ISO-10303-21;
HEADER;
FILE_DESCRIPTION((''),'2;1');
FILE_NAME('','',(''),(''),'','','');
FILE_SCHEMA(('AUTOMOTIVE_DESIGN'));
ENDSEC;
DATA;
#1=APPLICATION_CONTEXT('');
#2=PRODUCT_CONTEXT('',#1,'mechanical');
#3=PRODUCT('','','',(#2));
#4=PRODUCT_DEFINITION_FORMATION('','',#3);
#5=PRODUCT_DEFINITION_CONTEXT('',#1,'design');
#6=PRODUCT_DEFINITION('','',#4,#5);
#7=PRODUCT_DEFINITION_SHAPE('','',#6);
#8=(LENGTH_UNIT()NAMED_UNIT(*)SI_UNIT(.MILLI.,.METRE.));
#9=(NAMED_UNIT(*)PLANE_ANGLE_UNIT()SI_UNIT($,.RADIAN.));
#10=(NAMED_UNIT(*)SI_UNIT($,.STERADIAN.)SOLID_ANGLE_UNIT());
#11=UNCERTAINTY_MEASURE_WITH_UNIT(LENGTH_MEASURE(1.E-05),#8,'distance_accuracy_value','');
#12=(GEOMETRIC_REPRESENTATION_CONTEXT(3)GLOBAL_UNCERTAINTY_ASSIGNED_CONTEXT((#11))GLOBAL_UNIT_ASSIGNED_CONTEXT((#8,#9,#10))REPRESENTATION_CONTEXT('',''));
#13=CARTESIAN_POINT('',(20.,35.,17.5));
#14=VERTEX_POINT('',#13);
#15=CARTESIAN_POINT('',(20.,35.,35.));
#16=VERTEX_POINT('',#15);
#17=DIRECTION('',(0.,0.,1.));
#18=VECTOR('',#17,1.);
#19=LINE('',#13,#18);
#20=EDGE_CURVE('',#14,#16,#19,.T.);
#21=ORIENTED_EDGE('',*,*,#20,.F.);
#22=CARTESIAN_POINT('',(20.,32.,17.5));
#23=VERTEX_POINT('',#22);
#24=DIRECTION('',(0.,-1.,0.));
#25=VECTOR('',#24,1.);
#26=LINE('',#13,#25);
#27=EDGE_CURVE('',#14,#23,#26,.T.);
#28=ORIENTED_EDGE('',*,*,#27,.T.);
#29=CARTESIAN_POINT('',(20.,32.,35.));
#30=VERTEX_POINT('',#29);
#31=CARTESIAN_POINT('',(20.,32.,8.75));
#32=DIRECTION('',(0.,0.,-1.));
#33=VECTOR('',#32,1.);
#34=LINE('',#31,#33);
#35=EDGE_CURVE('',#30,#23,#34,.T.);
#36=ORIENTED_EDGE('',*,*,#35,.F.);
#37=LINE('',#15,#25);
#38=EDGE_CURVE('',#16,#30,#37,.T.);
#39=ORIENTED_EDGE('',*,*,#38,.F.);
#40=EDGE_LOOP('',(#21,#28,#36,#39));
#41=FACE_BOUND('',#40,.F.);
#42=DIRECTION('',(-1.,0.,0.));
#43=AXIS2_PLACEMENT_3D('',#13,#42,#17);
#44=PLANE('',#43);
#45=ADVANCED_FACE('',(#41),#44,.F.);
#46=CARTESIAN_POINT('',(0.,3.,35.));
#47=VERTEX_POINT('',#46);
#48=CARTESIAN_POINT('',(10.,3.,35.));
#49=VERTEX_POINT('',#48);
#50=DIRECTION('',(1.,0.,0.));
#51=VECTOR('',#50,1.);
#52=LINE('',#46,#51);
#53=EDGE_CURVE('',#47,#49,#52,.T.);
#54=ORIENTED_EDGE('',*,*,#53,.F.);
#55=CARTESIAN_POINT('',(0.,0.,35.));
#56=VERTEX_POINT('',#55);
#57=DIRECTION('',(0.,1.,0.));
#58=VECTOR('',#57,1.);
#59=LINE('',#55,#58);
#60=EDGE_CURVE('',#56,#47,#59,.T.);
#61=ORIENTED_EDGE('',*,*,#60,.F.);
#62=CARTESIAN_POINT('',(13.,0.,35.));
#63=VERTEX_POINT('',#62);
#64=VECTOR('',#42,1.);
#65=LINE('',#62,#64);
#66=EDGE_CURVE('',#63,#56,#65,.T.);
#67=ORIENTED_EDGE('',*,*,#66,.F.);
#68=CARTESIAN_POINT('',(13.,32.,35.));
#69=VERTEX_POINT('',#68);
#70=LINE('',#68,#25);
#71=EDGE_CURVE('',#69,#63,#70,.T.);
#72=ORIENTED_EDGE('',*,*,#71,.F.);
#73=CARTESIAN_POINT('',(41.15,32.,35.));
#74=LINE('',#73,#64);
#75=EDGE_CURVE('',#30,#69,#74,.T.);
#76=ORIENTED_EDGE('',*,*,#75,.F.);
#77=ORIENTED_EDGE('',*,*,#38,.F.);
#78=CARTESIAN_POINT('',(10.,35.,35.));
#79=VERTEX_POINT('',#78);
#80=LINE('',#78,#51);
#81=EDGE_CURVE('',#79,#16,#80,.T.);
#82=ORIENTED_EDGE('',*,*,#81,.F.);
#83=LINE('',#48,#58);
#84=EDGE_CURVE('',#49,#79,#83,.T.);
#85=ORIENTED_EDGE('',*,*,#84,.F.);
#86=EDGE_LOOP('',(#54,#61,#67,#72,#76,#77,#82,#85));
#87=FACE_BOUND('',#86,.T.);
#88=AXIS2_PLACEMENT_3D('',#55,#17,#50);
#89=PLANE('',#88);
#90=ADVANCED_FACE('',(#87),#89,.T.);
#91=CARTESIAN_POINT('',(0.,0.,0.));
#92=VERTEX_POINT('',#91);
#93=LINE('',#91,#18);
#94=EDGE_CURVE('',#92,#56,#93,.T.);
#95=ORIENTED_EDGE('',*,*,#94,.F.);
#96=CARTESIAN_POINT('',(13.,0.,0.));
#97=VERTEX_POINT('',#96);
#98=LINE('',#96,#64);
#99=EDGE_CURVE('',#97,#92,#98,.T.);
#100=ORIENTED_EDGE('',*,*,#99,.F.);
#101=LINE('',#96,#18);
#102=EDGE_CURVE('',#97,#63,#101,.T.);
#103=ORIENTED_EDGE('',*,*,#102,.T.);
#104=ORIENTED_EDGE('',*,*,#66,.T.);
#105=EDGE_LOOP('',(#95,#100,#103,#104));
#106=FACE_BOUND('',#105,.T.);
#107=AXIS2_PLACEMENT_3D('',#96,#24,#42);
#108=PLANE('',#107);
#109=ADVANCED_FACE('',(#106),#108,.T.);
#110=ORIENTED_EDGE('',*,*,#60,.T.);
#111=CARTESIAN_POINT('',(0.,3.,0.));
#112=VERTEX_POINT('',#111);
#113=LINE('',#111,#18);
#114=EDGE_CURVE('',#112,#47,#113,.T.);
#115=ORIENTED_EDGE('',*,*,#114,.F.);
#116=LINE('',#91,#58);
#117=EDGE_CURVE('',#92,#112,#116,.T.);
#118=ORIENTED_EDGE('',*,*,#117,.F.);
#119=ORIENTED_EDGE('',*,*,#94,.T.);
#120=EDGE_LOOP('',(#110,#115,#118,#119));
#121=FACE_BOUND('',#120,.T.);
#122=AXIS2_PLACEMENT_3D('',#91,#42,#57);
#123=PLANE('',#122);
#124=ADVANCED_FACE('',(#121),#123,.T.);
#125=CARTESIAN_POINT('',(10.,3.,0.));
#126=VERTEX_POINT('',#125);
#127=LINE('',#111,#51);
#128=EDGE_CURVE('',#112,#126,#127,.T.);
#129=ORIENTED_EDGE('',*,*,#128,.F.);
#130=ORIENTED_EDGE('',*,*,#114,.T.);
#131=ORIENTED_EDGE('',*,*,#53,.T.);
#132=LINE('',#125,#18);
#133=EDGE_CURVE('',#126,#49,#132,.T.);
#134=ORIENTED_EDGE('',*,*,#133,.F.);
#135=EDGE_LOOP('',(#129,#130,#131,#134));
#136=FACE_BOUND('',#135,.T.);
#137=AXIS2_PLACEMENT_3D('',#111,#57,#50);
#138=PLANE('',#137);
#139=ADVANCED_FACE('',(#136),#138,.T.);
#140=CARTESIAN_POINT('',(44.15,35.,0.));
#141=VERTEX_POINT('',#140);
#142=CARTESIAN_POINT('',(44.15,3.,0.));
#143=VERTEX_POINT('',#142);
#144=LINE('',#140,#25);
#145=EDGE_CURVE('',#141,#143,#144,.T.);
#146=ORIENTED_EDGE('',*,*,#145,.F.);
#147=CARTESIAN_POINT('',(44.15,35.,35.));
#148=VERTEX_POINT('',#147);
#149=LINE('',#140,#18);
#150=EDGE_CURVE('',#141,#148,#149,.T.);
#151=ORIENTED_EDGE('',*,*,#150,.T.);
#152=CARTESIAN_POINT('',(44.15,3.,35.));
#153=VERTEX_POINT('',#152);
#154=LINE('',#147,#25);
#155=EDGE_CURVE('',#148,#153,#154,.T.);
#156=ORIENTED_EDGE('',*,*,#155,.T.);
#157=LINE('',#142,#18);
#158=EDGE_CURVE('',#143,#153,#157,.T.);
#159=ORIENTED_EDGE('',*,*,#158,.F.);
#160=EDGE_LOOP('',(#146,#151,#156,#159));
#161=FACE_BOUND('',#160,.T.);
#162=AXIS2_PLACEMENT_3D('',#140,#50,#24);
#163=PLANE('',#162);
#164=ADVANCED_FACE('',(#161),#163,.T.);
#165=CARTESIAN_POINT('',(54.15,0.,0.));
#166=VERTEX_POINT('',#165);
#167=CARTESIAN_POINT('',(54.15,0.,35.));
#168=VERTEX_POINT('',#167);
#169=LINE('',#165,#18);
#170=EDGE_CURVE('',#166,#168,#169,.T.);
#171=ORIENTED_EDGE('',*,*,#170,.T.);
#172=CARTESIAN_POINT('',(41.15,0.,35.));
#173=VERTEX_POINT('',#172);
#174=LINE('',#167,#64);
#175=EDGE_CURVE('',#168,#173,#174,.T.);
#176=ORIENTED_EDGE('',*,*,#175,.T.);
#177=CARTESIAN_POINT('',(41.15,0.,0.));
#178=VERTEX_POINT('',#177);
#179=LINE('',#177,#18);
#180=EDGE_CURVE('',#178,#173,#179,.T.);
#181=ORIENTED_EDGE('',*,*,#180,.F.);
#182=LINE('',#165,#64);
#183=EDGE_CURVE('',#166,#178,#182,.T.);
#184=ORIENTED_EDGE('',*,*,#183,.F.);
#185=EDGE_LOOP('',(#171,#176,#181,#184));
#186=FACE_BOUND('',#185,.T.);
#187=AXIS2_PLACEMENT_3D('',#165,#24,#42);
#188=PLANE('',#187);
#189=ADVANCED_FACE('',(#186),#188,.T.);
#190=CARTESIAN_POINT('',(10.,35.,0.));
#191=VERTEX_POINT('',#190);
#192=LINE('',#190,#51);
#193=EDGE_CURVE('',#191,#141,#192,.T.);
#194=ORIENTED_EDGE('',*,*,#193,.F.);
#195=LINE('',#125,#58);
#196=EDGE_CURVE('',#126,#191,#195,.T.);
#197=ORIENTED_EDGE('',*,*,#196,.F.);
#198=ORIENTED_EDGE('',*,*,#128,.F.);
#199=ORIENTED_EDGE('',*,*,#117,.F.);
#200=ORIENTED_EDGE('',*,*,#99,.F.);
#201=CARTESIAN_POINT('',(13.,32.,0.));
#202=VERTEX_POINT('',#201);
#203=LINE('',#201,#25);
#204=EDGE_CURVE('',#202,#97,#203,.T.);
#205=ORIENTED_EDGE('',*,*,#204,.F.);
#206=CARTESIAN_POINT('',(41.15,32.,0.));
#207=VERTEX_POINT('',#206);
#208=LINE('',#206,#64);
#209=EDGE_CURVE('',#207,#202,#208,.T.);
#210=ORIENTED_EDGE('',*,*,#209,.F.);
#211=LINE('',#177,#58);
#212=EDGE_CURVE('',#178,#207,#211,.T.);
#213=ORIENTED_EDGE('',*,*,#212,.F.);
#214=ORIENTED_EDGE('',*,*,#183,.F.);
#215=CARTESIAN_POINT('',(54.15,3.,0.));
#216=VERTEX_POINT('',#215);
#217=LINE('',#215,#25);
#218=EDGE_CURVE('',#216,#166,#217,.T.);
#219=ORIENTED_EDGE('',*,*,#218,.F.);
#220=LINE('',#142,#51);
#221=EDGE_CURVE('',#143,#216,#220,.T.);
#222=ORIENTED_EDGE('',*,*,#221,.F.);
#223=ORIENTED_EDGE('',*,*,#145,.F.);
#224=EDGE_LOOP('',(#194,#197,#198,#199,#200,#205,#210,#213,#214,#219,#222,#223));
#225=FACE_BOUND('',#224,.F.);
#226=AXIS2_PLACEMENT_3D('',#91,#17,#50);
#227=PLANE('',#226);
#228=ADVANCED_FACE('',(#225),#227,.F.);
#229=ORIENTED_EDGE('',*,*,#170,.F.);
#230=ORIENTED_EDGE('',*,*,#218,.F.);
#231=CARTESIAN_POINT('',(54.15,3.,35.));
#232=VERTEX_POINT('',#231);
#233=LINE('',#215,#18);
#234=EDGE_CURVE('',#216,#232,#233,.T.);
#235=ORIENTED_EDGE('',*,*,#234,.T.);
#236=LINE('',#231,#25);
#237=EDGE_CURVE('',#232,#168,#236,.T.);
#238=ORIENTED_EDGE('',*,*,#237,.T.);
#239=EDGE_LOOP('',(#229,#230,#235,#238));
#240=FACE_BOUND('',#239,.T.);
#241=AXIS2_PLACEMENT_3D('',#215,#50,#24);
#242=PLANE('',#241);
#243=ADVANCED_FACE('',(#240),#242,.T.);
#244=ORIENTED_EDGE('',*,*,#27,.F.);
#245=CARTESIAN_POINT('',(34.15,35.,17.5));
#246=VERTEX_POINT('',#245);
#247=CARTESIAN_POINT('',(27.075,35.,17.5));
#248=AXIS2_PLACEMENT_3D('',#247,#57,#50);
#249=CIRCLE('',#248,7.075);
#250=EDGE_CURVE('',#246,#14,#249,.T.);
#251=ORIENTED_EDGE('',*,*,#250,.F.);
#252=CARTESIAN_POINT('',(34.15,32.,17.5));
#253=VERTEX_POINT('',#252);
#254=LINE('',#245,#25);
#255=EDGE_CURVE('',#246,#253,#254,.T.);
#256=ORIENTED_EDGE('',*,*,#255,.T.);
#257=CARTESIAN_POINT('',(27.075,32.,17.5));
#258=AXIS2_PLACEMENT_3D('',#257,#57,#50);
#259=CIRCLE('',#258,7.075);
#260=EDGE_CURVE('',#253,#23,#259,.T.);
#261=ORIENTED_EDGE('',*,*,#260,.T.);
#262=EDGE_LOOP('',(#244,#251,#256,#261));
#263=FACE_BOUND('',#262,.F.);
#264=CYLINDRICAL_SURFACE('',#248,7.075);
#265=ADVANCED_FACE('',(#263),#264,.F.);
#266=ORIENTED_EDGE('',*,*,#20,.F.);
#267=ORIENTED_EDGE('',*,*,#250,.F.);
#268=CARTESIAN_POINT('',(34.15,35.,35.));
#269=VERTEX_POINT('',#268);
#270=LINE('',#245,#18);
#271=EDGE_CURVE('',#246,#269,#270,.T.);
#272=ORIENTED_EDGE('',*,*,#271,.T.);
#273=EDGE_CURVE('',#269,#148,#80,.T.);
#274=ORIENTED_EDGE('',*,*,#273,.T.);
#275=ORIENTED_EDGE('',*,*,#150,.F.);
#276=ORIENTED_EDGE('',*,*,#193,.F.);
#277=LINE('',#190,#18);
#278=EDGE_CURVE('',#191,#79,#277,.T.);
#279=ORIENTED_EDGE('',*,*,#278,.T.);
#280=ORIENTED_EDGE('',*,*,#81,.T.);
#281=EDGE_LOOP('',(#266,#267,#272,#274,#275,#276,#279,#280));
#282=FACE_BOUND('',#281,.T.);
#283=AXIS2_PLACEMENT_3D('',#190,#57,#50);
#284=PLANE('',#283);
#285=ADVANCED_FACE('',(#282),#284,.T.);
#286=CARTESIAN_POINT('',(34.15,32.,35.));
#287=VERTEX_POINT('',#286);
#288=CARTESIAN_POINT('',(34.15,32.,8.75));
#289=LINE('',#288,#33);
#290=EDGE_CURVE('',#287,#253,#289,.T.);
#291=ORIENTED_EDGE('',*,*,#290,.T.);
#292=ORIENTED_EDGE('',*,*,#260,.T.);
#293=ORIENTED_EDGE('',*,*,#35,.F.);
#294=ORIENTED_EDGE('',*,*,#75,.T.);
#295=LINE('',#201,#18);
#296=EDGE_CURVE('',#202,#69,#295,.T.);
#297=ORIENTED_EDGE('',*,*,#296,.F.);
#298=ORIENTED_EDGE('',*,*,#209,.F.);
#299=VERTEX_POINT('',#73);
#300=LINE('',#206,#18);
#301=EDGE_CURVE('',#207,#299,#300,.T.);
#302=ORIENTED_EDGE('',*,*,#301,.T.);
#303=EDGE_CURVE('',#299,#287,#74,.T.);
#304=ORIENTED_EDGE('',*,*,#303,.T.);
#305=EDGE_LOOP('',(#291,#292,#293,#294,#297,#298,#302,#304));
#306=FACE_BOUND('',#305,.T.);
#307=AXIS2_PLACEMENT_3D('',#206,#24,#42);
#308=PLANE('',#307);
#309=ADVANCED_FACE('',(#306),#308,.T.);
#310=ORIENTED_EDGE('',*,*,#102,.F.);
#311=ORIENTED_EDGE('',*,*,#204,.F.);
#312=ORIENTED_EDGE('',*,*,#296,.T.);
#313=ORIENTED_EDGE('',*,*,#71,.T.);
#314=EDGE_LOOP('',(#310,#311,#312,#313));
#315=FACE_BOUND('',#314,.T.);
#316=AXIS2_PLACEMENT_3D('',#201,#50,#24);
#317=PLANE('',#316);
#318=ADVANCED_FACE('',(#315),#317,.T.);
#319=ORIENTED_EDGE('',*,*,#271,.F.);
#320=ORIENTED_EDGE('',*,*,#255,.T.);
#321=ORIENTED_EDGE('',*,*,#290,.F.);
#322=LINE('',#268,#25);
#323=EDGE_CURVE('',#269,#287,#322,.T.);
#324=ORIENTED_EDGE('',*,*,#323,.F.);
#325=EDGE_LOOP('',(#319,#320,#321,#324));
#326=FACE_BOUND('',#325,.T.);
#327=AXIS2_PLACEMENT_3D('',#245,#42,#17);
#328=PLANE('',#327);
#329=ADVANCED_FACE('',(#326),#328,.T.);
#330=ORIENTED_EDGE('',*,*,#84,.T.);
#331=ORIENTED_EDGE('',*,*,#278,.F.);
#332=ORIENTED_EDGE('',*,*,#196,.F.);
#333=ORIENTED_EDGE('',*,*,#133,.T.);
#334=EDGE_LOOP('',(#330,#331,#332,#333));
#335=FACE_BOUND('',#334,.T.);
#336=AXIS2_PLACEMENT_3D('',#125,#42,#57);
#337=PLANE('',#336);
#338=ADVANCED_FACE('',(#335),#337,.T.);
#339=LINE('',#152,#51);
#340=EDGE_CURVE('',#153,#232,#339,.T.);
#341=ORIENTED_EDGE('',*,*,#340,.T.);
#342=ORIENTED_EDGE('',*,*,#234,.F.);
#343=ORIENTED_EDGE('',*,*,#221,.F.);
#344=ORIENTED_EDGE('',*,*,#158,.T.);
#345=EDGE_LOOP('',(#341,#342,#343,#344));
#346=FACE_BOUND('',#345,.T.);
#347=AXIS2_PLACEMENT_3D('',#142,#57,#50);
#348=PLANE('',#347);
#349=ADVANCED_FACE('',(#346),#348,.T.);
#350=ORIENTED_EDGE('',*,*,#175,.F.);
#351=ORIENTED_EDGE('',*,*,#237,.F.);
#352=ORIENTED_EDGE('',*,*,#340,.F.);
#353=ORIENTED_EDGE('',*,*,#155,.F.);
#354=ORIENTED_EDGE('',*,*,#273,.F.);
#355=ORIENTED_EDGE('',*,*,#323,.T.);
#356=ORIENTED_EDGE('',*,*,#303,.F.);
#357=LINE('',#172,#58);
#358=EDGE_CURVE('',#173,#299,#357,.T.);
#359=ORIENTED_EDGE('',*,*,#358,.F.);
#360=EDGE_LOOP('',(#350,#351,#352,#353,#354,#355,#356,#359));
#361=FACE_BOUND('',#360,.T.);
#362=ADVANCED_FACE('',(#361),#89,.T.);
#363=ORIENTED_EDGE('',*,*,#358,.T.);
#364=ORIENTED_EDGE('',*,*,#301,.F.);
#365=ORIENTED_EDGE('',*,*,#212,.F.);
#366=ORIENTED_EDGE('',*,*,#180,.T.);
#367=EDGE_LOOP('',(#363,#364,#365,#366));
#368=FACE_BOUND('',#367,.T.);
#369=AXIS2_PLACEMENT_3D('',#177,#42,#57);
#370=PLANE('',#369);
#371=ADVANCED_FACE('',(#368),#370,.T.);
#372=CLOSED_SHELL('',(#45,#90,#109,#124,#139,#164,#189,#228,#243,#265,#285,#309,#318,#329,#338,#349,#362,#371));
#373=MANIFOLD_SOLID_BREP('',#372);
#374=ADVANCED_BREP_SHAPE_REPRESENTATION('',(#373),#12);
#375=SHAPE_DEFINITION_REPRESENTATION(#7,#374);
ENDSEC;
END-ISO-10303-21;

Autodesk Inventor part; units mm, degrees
sketch "Sketch1" plane through (0, 0, 0) normal (0, 0, 1) x (1, 0, 0)
  line L0 (0, 0) -> (0, 3)
  line L1 (0, 3) -> (10, 3)
  line L2 (10, 3) -> (10, 35)
  line L3 (10, 35) -> (44.15, 35)
  line L4 (44.15, 35) -> (44.15, 3)
  line L5 (44.15, 3) -> (54.15, 3)
  line L6 (54.15, 3) -> (54.15, 0)
  line L7 (54.15, 0) -> (41.15, 0)
  line L8 (41.15, 0) -> (41.15, 32)
  line L9 (41.15, 32) -> (13, 32)
  line L10 (13, 32) -> (13, 0)
  line L11 (13, 0) -> (0, 0)
extrude "Extrusion1" add sketch "Sketch1" along normal blind 35
sketch "Sketch2" plane through (10, 35, 0) normal (0, 1, 0) x (1, 0, 0)
  arc A0 (24.15, -17.5) -> (10, -17.5) centre (17.075, -17.5) ccw
  line L0 (10, -17.5) -> (10, -35)
  line L1 (34.15, -17.5) -> (34.15, -35)
  line L2 (24.15, -17.5) -> (24.15, -35)
  line L3 (10, -35) -> (24.15, -35)
  line L4 (3, -35) -> (31.15, -35) projected
  point P0 (0, 0)
  point P1 (34.15, 0)
  point P2 (0, -35)
extrude "Extrusion2" cut sketch "Sketch2" against normal blind 10
properties part number "Bridge"
